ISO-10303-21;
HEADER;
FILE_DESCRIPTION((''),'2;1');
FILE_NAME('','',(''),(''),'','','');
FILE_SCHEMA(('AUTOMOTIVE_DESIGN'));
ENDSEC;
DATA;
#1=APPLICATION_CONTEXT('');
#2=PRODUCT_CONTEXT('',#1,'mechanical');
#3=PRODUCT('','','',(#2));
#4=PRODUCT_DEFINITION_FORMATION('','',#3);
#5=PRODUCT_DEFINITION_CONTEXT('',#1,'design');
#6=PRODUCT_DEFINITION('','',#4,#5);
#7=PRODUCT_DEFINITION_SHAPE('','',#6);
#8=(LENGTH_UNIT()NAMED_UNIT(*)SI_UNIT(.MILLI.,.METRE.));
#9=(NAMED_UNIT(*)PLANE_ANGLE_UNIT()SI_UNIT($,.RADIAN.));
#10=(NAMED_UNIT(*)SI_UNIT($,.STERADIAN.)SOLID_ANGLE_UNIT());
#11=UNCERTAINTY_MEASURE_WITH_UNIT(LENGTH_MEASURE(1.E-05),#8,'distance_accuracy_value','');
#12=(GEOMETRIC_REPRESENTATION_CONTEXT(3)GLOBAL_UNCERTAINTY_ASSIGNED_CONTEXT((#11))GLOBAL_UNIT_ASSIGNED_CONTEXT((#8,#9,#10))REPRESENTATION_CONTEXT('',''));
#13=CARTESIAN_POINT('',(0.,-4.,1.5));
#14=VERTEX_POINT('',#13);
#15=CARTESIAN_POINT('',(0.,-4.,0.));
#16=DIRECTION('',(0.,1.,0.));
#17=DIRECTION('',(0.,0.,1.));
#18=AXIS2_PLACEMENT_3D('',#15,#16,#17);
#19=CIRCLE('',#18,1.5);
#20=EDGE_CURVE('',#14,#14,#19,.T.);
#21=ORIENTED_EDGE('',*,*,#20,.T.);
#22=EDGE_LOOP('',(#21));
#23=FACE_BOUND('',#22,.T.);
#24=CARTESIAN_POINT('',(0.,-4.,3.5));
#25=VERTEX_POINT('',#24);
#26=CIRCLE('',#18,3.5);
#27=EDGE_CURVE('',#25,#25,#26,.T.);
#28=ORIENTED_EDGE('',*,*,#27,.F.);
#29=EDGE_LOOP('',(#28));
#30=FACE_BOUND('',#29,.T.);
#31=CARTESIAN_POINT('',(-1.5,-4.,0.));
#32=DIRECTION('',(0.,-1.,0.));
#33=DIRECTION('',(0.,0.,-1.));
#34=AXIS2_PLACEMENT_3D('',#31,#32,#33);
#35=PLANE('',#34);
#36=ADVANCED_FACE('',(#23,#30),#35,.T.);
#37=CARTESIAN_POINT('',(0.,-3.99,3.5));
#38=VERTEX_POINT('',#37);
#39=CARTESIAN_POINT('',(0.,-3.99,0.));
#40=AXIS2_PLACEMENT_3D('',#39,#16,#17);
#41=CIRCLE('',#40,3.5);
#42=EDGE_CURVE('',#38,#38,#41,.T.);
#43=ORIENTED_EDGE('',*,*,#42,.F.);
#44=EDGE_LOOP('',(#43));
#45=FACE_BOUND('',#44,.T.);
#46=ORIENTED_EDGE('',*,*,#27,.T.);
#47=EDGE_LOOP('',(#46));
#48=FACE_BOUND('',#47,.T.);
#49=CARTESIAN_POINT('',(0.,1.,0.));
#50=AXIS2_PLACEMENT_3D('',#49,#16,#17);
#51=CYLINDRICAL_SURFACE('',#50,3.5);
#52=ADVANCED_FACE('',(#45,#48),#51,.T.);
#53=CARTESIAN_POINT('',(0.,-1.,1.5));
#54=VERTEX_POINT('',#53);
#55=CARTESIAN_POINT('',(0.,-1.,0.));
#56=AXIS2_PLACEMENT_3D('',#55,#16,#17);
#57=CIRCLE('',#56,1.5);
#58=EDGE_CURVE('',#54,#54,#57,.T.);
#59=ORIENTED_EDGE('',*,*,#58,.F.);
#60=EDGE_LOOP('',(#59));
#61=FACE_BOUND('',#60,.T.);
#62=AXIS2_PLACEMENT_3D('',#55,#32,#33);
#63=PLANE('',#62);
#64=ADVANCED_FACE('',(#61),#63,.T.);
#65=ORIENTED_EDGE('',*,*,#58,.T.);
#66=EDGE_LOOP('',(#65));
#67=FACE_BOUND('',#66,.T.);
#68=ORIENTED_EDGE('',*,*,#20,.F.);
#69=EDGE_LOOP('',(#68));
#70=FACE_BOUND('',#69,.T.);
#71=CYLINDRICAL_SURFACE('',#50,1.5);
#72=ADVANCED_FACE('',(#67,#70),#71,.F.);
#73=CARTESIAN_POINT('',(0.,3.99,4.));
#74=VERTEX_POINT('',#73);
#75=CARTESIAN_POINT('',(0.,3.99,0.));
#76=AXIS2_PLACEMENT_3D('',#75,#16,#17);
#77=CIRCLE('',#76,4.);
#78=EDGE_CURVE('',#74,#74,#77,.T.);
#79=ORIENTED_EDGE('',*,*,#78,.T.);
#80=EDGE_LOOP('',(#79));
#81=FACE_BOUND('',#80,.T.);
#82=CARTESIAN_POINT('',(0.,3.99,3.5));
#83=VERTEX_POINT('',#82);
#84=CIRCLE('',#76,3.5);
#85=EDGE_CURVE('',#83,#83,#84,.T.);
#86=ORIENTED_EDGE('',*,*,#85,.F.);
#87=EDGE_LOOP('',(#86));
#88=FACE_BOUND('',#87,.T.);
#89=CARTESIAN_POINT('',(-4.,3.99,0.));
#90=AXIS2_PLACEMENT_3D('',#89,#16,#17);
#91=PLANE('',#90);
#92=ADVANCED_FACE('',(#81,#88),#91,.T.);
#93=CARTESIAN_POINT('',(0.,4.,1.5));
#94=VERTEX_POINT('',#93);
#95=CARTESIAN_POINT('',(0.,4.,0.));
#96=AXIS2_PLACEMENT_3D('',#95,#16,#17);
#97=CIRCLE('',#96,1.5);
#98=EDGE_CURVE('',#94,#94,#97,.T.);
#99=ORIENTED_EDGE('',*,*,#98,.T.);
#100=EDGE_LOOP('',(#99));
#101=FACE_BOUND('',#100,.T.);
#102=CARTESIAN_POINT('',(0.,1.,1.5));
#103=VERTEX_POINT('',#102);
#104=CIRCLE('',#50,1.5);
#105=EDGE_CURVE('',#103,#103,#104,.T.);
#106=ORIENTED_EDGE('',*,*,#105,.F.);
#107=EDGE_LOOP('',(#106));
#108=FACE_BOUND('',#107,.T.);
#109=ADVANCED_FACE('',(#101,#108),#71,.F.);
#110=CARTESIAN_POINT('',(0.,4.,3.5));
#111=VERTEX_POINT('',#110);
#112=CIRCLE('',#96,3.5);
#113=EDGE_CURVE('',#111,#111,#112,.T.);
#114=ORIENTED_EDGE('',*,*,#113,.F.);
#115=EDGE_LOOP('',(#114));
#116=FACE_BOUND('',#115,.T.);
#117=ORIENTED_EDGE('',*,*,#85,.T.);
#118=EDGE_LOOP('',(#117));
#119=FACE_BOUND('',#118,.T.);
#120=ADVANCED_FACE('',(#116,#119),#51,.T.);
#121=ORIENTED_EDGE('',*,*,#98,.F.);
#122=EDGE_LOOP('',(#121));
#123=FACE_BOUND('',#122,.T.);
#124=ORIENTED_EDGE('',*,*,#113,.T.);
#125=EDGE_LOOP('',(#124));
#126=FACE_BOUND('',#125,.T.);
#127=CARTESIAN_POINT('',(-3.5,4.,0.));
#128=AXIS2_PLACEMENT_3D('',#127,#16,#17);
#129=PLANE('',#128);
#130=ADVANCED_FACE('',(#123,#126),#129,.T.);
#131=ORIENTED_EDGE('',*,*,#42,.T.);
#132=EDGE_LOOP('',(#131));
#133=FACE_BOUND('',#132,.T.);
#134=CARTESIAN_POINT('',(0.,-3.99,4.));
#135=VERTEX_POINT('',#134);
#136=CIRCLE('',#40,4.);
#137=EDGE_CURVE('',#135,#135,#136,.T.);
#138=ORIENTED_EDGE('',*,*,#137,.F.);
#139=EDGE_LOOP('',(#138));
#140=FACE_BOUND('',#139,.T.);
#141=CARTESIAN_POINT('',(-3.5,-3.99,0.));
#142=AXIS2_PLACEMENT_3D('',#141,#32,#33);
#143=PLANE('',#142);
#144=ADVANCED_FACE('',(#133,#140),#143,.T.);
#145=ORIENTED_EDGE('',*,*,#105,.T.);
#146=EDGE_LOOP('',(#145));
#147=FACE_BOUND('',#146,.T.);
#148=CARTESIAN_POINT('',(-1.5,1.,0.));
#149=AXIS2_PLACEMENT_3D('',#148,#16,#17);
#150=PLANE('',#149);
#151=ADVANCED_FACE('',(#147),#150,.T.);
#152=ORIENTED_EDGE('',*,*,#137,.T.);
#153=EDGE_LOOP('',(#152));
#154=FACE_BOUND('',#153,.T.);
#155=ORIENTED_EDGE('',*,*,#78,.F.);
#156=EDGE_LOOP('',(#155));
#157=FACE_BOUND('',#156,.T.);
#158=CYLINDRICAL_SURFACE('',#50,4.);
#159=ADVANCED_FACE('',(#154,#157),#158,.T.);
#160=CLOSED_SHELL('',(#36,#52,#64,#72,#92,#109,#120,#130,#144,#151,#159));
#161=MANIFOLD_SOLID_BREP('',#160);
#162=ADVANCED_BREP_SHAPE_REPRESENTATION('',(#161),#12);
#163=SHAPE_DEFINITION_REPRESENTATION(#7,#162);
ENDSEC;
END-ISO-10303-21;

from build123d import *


with BuildPart() as part:
    # Sketch1 → Revolve1 (revolve)
    with BuildSketch(Plane.XY, mode=Mode.PRIVATE) as revolve1_sk:
        Polygon((0, -1), (-1.5, -1), (-1.5, -4), (-3.5, -4), (-3.5, -3.99), (-4, -3.99), (-4, 3.99), (-3.5, 3.99), (-3.5, 4), (-1.5, 4), (-1.5, 1), (0, 1), align=None)
    revolve(revolve1_sk.sketch.rotate(Axis((0, 1, 0), (0, -1, 0)), 270), axis=Axis((0, 1, 0), (0, -1, 0)))


solid = part.part
